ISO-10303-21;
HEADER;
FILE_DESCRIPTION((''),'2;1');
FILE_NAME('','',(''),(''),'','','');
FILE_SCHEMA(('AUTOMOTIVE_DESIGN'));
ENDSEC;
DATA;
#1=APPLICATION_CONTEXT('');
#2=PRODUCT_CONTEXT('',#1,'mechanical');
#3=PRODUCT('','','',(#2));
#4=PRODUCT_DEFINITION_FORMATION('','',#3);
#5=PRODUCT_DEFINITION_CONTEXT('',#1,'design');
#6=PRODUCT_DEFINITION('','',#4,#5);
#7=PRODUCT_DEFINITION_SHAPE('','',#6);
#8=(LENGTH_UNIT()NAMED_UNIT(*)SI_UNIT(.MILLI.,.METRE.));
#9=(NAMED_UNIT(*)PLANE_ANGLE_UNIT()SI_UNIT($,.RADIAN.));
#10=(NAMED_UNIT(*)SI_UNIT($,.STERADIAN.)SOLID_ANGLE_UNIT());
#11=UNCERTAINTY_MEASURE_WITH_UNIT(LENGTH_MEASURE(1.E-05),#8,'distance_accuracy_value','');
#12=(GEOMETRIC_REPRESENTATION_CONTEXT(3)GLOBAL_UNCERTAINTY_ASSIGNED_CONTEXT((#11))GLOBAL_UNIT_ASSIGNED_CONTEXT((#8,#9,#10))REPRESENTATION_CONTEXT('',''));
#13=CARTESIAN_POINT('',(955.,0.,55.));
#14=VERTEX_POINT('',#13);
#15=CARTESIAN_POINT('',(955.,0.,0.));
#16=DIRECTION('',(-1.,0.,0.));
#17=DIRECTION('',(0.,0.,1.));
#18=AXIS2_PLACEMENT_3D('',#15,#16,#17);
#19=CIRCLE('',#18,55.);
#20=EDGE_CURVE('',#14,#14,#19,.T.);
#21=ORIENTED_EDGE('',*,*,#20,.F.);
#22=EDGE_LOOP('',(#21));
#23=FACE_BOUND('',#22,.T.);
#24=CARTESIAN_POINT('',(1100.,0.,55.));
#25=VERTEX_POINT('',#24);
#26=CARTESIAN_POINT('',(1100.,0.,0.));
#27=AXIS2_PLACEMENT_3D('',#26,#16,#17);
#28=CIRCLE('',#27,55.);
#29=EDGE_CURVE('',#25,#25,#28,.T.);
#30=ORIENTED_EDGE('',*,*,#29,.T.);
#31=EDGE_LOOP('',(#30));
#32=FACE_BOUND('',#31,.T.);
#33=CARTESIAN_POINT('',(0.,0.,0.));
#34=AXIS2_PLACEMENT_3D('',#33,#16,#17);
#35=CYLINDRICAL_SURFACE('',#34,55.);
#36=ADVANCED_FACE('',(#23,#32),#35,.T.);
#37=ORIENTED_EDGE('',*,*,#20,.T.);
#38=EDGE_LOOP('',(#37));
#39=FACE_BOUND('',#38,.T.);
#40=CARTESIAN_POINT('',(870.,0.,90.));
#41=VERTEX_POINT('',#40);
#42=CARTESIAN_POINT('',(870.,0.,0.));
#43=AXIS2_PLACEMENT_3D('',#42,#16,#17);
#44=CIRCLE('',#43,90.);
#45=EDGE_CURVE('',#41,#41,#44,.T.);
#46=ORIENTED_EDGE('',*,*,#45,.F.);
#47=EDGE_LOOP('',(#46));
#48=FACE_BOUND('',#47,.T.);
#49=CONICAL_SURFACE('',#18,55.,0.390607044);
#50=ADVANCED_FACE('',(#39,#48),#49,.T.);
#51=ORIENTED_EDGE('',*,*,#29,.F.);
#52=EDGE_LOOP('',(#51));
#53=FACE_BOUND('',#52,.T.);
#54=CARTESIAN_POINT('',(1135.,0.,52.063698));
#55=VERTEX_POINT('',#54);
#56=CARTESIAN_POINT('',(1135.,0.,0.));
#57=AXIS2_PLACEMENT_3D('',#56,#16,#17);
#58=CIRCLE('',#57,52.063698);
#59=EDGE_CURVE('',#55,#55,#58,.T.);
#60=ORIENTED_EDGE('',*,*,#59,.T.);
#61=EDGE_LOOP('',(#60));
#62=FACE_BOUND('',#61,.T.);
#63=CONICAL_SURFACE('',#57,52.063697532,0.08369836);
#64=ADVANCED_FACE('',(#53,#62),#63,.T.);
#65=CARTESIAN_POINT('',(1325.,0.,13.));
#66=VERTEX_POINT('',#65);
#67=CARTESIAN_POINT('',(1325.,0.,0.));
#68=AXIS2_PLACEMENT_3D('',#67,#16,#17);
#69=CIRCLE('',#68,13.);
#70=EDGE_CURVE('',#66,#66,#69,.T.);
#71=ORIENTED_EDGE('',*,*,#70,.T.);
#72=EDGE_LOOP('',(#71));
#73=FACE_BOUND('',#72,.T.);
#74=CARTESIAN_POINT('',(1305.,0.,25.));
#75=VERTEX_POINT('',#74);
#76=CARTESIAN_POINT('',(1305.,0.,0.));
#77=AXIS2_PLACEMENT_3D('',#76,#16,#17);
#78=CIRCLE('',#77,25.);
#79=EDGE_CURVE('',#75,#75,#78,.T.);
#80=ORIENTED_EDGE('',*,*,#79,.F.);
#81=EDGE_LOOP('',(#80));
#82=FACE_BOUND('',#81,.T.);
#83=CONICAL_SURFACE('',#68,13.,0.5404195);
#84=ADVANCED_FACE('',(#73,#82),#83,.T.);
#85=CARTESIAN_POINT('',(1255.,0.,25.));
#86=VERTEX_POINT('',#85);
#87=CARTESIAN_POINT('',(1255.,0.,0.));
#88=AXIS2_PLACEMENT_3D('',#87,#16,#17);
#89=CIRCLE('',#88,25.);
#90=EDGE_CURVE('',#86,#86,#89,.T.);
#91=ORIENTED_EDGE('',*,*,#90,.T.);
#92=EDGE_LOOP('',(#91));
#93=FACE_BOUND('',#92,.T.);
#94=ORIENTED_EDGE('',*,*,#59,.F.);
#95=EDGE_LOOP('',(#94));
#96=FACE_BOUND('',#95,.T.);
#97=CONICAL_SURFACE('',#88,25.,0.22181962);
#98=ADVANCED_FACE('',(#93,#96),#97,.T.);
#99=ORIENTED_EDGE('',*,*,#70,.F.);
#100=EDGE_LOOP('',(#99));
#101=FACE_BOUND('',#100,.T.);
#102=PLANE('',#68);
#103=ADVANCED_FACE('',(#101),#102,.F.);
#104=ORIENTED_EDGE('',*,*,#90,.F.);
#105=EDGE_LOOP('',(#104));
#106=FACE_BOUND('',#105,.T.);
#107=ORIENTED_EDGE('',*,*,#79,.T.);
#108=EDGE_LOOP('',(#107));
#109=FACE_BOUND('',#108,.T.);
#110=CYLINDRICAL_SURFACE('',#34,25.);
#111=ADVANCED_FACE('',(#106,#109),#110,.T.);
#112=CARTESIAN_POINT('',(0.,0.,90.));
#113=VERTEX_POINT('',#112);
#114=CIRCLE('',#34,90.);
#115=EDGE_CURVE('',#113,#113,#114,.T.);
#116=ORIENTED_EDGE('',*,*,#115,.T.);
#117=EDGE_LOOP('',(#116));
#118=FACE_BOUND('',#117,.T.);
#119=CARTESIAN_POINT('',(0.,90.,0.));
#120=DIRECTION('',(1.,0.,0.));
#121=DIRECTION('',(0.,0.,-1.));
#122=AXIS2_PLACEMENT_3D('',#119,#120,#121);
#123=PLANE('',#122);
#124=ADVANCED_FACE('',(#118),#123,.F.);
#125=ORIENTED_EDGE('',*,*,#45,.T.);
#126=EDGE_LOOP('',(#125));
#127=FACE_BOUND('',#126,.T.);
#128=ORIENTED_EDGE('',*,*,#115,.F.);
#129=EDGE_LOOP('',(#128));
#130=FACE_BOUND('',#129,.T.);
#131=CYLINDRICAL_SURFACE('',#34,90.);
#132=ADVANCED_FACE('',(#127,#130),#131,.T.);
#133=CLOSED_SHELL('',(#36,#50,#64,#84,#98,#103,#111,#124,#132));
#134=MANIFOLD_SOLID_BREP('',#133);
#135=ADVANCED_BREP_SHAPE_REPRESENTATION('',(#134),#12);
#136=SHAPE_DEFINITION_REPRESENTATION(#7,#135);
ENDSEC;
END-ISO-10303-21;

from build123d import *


with BuildPart() as part:
    # Sketch2 → Revolve1 (revolve)
    with BuildSketch(Plane.XY, mode=Mode.PRIVATE) as revolve1_sk:
        Polygon((0, 0), (1325, 0), (1325, 13), (1305, 25), (1285, 25), (1255, 25), (1135, 52.063697532), (1100, 55), (955, 55), (870, 90), (0, 90), align=None)
    revolve(revolve1_sk.sketch.rotate(Axis((0, 0, 0), (1, 0, 0)), 90), axis=Axis((0, 0, 0), (1, 0, 0)))


solid = part.part
